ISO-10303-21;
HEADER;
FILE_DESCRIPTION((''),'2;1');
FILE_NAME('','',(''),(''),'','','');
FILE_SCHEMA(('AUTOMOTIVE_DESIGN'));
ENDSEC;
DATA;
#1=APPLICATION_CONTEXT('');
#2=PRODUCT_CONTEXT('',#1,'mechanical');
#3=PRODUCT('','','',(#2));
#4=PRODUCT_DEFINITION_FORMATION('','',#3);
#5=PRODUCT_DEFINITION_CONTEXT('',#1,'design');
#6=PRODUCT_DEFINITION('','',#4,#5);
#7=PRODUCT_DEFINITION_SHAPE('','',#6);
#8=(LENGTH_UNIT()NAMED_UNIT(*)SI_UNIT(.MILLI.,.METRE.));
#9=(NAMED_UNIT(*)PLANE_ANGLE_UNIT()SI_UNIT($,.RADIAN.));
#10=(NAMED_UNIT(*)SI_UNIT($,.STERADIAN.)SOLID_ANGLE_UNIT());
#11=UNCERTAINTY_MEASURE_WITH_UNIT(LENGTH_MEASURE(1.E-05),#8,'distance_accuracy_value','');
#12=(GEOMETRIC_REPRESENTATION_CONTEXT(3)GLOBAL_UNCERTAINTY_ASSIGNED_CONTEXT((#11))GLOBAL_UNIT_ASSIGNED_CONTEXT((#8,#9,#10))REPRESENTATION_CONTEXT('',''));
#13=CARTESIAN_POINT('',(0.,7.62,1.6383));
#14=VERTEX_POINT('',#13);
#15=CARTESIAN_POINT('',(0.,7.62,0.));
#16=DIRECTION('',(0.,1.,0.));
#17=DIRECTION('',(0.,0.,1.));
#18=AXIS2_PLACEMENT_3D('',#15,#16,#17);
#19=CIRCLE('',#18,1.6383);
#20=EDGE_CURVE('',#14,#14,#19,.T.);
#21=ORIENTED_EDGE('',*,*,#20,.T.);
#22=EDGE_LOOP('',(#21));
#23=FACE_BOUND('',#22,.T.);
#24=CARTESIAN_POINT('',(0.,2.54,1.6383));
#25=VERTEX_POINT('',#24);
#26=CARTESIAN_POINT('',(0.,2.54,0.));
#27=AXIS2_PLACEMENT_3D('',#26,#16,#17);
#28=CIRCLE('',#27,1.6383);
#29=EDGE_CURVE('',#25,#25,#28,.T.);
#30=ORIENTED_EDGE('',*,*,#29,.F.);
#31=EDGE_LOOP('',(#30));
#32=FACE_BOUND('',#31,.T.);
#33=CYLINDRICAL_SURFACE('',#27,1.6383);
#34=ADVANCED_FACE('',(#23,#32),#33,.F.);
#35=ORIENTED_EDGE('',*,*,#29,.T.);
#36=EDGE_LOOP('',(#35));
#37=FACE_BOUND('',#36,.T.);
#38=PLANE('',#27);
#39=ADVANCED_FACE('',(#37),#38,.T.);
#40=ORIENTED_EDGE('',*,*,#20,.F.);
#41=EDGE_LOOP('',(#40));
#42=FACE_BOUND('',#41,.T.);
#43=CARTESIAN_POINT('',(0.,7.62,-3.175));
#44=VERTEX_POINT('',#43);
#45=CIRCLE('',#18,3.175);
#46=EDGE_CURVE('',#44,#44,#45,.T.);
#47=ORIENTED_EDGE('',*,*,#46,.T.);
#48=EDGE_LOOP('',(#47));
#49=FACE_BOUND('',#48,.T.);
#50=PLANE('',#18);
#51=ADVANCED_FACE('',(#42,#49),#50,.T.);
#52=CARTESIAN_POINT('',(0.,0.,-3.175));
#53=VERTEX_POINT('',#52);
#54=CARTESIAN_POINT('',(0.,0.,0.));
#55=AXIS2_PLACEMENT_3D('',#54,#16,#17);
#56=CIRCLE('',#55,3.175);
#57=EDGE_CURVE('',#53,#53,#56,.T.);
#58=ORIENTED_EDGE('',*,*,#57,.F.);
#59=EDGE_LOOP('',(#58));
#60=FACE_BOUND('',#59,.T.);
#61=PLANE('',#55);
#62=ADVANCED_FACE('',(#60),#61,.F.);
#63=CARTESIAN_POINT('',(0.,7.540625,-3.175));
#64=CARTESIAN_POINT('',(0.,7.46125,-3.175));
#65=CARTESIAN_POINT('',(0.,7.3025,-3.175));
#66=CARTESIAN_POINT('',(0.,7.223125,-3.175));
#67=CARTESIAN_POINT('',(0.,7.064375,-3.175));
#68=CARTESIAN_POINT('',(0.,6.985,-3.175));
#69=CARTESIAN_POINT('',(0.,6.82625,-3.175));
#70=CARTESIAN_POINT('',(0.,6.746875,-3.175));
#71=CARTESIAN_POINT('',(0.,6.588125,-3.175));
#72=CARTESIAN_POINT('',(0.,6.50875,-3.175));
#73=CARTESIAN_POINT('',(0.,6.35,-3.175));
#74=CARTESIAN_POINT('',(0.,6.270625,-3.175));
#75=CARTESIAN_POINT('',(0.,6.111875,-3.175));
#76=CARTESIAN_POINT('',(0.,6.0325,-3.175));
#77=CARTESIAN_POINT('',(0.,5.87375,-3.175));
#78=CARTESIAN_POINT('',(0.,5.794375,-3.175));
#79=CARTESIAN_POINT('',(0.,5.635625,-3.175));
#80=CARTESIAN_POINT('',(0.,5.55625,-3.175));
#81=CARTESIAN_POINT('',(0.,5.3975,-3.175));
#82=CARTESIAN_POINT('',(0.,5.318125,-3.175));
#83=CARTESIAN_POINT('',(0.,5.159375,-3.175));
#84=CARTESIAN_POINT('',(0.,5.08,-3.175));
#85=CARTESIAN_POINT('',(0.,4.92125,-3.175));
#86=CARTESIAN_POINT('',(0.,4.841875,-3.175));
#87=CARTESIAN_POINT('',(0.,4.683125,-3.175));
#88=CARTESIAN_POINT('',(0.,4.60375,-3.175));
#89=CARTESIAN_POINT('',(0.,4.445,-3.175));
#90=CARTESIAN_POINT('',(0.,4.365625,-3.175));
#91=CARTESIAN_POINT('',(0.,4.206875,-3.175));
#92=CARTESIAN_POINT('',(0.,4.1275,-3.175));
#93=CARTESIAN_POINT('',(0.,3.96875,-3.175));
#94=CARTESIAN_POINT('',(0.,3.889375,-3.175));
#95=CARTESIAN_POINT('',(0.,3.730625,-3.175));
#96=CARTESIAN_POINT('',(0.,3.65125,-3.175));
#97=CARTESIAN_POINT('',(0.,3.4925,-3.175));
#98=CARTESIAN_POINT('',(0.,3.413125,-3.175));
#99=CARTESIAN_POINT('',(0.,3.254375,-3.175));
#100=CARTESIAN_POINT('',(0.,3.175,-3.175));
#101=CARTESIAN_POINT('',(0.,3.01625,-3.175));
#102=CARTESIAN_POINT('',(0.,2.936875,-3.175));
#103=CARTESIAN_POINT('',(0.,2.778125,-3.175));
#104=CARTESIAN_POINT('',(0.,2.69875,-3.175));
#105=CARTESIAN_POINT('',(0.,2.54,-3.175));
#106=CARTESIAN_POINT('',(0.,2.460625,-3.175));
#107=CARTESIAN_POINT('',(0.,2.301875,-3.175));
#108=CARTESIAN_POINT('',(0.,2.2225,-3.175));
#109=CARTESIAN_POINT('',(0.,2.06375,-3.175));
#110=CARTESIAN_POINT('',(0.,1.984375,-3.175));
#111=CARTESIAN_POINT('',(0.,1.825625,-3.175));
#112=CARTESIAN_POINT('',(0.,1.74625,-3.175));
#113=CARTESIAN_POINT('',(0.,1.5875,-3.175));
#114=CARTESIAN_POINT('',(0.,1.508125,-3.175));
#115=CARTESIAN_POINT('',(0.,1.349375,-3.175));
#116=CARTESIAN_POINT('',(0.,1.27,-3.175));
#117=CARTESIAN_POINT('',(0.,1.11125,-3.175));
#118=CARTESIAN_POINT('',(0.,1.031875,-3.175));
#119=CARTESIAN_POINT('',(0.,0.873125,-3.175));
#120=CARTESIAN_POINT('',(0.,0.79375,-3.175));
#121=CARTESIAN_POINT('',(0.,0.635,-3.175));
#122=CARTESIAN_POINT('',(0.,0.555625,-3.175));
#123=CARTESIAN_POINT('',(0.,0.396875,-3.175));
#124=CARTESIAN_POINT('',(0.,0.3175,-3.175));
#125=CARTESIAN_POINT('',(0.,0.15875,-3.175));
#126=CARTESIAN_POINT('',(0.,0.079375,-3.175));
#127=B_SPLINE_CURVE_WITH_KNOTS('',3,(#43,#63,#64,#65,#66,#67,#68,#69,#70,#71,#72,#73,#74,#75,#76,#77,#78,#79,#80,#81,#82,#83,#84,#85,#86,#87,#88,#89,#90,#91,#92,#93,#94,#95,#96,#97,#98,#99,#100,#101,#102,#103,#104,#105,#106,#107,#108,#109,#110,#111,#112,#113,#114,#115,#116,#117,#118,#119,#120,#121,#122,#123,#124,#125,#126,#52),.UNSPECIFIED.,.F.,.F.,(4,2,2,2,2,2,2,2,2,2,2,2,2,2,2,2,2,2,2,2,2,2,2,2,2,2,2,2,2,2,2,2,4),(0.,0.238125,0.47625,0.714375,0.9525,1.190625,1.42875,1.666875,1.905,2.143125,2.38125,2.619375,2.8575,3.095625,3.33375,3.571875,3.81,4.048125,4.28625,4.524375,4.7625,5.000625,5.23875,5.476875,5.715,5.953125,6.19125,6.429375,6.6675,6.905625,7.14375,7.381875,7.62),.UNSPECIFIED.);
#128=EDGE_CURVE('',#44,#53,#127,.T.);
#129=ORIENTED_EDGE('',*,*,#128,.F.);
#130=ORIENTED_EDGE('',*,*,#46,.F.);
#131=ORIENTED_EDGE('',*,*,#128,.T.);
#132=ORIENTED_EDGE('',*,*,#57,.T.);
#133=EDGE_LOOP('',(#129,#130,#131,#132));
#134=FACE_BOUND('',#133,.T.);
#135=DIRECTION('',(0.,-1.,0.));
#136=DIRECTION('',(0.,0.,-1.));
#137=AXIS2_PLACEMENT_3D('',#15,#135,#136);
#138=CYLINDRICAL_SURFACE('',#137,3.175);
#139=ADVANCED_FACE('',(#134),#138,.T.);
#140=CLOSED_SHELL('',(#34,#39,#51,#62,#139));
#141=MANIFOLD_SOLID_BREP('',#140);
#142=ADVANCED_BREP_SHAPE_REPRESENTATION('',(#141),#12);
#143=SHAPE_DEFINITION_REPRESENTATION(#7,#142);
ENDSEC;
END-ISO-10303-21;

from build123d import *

# Parameters (mm, degrees)
SKETCH1_R           = 3.175
BOSS_EXTRUDE1_DEPTH = 7.62
SKETCH4_R           = 1.6383
CUT_EXTRUDE1_DEPTH  = 5.08


with BuildPart() as part:
    # Sketch1 → Boss-Extrude1 (new body)
    with BuildSketch(Plane(origin=(0, 0, 0), x_dir=(1, 0, 0), z_dir=(0, 1, 0))):
        with Locations(Location((0, 0, 0), (0, 0, 90))):
            Circle(SKETCH1_R)
    extrude(amount=BOSS_EXTRUDE1_DEPTH)

    # Sketch4 → Cut-Extrude1 (cut)
    with BuildSketch(Plane(origin=(0, 7.62, 0), x_dir=(1, 0, 0), z_dir=(0, 1, 0))):
        with Locations(Location((0, 0, 0), (0, 0, 270))):
            Circle(SKETCH4_R)
    extrude(amount=-CUT_EXTRUDE1_DEPTH, mode=Mode.SUBTRACT)


solid = part.part
